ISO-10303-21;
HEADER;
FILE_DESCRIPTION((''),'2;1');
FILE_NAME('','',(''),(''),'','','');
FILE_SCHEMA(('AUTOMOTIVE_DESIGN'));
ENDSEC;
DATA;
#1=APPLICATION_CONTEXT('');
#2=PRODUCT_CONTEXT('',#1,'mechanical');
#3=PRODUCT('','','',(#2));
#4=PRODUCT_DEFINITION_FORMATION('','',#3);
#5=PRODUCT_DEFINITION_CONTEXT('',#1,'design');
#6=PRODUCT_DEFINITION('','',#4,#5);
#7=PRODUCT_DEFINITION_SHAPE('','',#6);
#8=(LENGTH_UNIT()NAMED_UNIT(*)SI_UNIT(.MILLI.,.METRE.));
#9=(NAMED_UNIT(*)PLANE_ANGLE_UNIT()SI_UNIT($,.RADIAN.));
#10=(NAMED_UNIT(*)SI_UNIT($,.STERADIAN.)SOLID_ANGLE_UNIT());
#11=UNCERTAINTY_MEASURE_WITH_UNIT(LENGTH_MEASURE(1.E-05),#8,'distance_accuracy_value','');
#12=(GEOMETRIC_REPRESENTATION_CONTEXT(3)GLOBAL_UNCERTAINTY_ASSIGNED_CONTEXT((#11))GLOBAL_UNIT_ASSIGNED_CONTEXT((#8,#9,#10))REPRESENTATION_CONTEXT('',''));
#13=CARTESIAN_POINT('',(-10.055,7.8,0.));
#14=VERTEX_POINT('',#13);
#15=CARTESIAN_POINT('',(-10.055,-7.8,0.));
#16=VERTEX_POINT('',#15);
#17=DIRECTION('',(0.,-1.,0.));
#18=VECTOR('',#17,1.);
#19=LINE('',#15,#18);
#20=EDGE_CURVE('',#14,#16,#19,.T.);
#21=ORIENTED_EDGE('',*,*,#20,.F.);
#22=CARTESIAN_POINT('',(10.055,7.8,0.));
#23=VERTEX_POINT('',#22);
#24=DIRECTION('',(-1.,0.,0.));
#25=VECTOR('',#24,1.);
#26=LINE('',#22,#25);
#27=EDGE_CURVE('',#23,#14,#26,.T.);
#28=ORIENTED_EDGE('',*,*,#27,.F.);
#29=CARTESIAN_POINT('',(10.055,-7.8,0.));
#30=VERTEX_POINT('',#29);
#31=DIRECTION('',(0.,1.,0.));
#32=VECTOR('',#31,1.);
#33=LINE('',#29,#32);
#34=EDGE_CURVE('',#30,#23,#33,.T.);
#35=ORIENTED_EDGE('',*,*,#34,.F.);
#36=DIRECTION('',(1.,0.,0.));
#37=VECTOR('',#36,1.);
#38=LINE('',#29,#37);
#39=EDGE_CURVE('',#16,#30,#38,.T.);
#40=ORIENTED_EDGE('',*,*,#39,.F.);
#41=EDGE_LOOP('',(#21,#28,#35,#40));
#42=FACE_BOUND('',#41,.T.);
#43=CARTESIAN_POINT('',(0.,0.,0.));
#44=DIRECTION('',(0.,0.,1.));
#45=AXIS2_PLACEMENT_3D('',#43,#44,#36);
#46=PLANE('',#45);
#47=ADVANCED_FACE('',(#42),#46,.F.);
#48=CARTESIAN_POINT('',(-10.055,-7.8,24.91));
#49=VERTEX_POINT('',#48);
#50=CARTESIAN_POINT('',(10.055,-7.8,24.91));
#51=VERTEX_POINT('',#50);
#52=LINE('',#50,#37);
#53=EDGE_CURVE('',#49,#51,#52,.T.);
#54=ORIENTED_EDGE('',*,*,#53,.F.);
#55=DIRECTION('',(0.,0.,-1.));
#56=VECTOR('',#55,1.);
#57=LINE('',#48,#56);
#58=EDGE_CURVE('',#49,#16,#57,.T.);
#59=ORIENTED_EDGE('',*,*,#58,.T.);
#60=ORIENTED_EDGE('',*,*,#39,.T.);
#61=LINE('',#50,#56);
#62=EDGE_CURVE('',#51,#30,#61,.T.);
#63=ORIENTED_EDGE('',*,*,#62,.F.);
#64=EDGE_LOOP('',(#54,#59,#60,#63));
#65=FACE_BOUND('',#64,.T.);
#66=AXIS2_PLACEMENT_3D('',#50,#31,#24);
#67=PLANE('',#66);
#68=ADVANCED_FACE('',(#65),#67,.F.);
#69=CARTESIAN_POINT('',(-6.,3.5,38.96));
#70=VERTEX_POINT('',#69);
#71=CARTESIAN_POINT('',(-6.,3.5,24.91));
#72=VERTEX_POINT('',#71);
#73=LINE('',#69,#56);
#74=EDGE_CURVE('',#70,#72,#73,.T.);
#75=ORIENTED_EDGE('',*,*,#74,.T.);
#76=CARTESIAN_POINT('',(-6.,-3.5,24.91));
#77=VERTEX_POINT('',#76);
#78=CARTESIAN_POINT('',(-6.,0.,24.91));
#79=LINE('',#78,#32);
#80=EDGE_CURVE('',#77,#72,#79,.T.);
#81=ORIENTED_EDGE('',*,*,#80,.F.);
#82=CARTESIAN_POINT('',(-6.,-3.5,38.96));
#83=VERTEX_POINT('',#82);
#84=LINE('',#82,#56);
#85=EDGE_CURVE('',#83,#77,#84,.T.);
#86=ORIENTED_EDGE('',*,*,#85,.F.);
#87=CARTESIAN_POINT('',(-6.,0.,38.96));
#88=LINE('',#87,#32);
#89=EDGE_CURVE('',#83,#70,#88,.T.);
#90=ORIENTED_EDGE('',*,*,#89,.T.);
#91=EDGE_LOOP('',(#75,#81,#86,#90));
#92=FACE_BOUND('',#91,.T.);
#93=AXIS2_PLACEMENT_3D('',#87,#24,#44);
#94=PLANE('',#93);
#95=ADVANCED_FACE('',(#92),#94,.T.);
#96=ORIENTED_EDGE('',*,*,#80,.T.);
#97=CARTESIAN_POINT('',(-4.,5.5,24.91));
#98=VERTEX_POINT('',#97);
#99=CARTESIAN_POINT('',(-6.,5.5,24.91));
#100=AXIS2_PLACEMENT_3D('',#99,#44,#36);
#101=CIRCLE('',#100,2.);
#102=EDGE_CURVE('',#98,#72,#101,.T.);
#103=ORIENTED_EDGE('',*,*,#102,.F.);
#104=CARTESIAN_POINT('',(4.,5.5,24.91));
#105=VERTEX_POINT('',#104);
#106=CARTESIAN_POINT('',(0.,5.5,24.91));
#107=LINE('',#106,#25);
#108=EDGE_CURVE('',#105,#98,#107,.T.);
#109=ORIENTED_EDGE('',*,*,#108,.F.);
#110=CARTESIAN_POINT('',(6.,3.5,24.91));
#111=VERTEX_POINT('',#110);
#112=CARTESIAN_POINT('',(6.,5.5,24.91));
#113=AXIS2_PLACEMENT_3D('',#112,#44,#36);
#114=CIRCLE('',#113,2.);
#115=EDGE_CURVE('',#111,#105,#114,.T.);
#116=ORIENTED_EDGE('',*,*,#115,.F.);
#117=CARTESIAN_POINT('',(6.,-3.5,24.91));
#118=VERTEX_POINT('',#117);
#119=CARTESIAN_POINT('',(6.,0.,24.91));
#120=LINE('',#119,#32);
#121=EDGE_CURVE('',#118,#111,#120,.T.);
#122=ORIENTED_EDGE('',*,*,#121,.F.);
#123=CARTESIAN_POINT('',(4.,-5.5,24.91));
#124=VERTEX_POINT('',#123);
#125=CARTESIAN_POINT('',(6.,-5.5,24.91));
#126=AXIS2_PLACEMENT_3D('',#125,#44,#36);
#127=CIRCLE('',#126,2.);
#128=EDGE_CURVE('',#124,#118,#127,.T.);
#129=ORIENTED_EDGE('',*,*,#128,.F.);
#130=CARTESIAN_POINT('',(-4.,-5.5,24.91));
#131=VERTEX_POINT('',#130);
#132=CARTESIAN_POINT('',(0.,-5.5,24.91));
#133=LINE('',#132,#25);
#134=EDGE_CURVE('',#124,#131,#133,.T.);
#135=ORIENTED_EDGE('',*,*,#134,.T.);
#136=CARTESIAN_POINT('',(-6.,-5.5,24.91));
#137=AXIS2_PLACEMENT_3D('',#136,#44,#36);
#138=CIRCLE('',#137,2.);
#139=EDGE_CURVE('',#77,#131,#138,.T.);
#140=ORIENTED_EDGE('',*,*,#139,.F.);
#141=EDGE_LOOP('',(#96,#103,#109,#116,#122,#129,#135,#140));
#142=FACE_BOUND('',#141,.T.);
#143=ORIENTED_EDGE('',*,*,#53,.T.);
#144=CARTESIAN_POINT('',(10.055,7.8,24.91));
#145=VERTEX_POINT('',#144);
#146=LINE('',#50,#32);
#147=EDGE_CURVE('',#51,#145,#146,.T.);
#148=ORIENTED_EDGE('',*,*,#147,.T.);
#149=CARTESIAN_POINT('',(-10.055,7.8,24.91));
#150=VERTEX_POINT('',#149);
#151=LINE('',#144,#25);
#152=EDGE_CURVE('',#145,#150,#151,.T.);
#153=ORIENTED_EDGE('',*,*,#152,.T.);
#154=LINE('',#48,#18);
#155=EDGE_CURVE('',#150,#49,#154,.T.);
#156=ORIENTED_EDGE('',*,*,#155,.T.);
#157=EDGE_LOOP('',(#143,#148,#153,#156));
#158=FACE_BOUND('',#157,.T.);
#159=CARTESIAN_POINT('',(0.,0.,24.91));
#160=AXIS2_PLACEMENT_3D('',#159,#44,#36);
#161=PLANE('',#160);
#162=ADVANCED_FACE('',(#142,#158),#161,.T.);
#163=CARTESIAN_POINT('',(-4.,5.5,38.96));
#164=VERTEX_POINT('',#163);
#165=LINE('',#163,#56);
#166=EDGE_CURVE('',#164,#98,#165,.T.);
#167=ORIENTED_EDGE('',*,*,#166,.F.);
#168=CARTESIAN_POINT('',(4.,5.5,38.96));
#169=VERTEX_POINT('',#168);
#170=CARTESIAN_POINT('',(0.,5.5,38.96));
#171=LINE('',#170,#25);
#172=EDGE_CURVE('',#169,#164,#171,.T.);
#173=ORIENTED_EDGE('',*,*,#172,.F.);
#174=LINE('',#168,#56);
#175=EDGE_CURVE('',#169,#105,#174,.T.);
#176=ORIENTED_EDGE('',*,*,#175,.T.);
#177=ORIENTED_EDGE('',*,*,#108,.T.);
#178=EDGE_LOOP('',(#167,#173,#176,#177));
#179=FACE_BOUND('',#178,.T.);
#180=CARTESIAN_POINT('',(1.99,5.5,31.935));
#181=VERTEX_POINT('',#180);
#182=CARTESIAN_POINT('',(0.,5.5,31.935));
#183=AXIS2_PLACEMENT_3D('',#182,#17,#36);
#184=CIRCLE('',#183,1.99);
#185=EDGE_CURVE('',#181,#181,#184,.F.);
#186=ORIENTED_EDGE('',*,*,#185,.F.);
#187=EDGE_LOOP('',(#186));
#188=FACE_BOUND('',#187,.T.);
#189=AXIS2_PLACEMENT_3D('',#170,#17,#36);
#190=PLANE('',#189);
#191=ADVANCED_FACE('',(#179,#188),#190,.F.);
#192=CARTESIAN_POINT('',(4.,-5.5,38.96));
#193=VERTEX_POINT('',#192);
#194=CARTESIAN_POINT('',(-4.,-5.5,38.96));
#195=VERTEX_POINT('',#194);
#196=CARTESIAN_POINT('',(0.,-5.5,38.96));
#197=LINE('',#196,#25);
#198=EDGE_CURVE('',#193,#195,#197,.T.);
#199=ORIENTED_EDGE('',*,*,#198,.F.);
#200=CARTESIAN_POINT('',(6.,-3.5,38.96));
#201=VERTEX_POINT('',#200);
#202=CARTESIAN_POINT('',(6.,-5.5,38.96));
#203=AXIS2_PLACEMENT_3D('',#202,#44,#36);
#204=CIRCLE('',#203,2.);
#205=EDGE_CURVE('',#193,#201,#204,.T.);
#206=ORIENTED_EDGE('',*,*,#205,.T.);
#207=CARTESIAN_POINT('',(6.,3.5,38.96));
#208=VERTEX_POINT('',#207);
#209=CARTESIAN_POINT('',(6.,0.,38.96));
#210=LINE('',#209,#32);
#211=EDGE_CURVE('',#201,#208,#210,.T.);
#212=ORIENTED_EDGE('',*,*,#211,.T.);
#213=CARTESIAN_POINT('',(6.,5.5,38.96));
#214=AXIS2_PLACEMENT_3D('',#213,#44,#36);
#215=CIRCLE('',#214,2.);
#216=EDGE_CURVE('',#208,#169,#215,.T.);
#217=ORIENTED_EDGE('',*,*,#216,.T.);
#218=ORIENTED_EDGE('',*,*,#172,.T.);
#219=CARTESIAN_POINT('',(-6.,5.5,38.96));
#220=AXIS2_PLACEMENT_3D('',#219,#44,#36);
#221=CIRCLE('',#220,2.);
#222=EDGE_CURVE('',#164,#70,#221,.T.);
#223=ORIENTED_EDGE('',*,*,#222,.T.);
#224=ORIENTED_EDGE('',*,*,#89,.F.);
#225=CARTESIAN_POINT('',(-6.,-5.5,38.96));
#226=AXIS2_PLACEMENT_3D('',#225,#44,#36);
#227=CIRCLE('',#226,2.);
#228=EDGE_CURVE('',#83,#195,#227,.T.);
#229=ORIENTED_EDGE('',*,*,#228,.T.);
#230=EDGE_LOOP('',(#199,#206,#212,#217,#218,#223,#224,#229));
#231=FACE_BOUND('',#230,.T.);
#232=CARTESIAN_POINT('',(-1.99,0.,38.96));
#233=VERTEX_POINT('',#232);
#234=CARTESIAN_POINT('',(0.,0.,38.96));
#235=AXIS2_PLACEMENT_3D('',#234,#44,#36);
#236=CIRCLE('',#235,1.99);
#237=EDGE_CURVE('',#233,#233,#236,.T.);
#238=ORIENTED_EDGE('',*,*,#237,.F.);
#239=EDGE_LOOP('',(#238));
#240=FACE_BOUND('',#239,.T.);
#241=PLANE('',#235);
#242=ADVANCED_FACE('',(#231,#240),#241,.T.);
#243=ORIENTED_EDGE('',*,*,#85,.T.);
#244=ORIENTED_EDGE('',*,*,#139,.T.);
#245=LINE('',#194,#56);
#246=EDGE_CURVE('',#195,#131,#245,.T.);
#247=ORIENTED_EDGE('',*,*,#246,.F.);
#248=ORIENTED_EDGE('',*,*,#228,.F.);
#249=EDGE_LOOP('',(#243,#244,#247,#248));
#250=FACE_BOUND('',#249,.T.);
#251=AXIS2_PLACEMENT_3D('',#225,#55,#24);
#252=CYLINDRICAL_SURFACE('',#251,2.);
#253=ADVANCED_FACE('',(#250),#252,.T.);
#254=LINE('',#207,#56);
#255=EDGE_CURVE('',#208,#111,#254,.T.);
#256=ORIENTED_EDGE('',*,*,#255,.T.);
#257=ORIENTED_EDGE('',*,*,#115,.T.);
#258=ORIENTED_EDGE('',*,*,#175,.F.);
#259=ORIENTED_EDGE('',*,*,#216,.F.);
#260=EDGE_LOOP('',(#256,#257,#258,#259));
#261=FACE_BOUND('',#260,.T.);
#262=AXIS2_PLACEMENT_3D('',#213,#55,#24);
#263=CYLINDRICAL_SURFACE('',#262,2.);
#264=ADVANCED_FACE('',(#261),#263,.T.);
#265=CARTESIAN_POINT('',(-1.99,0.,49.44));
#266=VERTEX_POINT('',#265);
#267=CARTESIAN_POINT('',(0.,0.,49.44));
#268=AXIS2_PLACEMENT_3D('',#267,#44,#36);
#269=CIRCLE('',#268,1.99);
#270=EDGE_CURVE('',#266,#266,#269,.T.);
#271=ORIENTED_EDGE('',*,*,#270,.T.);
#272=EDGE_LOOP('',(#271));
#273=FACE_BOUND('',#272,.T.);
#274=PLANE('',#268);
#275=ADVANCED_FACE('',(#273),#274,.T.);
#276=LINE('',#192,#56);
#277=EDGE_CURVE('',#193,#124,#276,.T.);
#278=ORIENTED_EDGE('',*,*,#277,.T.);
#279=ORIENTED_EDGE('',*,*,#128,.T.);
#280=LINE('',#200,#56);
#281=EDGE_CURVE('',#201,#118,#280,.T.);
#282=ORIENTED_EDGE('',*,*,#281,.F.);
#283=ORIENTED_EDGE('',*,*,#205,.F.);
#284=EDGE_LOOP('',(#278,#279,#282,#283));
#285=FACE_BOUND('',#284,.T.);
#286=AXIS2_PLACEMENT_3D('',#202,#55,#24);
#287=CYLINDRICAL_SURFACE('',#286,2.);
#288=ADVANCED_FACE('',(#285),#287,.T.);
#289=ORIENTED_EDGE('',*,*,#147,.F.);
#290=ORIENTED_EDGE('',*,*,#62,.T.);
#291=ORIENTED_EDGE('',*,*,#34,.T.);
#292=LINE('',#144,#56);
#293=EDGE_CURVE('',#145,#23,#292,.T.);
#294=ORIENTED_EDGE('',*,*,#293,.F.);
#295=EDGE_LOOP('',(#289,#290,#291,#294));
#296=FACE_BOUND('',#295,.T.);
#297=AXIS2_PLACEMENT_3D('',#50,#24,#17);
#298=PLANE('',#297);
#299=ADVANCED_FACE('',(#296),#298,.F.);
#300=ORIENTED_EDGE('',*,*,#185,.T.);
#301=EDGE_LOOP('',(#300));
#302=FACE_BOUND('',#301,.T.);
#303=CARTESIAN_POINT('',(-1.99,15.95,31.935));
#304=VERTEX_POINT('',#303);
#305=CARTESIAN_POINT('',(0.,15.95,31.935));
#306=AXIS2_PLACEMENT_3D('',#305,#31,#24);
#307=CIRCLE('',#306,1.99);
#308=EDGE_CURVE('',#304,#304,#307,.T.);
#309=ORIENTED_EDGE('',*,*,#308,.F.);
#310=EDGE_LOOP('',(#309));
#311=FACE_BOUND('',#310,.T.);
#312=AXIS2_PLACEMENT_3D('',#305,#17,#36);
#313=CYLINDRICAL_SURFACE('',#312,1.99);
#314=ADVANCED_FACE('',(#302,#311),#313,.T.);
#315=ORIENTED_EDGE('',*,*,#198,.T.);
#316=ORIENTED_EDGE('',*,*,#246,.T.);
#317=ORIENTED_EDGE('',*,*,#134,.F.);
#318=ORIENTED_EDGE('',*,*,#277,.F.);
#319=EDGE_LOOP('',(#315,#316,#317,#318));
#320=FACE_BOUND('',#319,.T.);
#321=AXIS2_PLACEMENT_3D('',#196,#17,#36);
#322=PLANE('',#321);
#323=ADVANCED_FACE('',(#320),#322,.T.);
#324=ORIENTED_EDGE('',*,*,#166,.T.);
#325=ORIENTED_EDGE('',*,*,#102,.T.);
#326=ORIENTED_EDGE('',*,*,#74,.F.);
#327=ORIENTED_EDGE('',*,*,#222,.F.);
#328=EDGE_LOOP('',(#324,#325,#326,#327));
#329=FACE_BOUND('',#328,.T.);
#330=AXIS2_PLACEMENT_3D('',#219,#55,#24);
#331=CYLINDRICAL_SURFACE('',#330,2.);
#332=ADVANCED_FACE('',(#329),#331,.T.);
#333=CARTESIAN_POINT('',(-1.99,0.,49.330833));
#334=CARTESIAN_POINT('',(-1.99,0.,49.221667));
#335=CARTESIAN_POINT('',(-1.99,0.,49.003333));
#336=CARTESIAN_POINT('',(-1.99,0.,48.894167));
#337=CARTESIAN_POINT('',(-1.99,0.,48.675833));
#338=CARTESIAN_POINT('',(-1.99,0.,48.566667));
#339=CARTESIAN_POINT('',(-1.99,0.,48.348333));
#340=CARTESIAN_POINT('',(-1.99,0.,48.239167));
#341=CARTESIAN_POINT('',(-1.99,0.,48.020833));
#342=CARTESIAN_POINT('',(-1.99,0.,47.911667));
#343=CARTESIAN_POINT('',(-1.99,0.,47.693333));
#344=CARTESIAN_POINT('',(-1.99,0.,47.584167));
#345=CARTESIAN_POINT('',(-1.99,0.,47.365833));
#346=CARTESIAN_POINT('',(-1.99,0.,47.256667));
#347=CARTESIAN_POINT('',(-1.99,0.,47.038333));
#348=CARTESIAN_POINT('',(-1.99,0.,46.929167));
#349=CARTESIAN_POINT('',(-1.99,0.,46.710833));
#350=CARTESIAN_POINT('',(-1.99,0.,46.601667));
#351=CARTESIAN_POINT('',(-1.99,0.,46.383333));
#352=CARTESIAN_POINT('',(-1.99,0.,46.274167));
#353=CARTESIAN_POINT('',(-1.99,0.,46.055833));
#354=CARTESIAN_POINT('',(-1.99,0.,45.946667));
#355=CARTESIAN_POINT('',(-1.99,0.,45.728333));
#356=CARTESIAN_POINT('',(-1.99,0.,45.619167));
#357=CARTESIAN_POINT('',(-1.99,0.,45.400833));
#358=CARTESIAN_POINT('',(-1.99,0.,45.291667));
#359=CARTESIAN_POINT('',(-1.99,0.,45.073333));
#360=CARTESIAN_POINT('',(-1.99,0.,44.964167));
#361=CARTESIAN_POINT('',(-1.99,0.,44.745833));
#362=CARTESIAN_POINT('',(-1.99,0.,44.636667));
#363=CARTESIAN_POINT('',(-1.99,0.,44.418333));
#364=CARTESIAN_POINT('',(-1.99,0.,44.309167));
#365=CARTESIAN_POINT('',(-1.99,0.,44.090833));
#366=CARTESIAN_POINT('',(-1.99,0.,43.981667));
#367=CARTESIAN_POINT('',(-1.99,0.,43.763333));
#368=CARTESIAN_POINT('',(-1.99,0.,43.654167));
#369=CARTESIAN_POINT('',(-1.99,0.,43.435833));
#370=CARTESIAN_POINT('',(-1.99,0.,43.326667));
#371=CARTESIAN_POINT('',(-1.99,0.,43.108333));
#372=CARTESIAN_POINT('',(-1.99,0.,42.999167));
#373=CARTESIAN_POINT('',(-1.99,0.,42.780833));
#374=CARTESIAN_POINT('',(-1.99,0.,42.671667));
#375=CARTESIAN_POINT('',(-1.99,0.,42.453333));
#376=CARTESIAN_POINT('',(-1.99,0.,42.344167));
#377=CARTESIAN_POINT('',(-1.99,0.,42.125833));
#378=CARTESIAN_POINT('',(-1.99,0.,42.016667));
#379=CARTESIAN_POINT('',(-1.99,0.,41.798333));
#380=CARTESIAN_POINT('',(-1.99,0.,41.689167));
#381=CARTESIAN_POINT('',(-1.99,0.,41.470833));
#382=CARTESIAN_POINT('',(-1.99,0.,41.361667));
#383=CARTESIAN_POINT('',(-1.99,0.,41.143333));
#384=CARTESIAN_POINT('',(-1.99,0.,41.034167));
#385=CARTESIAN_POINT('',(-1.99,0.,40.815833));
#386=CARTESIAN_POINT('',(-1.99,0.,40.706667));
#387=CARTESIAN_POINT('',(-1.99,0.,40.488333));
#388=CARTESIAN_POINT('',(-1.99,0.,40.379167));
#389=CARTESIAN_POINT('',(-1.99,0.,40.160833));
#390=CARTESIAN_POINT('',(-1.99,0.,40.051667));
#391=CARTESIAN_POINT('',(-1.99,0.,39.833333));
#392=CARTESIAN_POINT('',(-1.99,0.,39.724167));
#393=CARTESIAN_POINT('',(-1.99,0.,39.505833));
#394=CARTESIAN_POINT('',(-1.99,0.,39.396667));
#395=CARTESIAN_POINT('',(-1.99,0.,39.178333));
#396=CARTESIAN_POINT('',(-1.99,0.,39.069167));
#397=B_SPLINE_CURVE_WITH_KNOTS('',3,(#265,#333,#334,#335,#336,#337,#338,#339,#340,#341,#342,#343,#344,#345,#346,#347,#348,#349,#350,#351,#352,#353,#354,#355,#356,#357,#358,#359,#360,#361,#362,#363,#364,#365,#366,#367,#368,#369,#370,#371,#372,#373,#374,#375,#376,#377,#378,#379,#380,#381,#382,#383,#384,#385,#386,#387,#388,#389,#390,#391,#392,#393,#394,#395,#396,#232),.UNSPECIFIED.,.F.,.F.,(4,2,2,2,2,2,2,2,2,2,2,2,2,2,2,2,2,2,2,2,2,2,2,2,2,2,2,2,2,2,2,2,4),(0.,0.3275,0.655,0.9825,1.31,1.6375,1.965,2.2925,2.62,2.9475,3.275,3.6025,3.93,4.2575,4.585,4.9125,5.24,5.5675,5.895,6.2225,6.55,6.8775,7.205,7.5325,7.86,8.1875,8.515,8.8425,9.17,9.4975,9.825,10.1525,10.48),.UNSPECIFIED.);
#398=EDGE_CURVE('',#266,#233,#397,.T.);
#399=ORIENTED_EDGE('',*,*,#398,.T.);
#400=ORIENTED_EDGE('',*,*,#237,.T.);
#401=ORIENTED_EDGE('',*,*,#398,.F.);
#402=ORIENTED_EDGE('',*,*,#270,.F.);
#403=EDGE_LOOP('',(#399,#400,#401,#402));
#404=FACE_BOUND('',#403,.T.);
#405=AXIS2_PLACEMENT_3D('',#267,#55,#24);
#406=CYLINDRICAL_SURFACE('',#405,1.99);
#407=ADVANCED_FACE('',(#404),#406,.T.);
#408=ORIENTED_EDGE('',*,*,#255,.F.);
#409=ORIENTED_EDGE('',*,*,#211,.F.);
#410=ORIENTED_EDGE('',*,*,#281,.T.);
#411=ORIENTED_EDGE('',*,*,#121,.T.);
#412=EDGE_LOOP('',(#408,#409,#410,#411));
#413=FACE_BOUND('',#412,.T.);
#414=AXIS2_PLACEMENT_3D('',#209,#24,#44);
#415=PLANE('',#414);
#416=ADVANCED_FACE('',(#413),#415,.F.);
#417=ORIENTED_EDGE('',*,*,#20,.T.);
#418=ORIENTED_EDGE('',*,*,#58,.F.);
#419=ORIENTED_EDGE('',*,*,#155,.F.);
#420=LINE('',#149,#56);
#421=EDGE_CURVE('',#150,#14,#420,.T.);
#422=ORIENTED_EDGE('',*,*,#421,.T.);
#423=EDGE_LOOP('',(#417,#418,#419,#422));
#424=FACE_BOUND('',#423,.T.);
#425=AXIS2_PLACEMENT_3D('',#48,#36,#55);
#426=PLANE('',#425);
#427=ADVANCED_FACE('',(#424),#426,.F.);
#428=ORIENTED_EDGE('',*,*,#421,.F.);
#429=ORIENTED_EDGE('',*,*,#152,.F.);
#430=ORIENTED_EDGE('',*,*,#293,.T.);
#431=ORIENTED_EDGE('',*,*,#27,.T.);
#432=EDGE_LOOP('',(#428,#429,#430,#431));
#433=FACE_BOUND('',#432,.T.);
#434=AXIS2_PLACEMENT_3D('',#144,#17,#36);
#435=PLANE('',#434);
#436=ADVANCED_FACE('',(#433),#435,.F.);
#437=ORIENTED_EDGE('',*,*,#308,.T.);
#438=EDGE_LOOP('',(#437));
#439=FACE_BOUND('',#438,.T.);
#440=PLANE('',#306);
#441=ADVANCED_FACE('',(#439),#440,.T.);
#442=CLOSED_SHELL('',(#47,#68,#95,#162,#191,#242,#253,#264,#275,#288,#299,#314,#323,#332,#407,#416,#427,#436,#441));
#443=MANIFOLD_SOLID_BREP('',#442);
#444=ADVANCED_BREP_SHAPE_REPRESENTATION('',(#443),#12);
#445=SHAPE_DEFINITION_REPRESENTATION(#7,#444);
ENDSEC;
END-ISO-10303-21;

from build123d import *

# Parameters (mm, degrees)
SKETCH1_W           = 20.11
SKETCH1_H           = 15.6
BOSS_EXTRUDE1_DEPTH = 24.91
SKETCH2_R           = 2
SKETCH2_W           = 12
SKETCH2_H           = 11
BOSS_EXTRUDE2_DEPTH = 14.05
SKETCH3_R           = 1.99
BOSS_EXTRUDE3_DEPTH = 10.45
SKETCH4_R           = 1.99
BOSS_EXTRUDE4_DEPTH = 10.48


with BuildPart() as part:
    # Sketch1 → Boss-Extrude1 (new body)
    with BuildSketch(Plane.XY):
        Rectangle(SKETCH1_W, SKETCH1_H)
    extrude(amount=BOSS_EXTRUDE1_DEPTH)

    # Sketch2 → Boss-Extrude2 (add)
    with BuildSketch(Plane.XY.offset(24.91)):
        with BuildLine():
            ThreePointArc((-4, 5.5), (-7.414213562, 6.914213562), (-6, 3.5))
            Line((-6, 3.5), (-6, 5.5))
            Line((-6, 5.5), (-4, 5.5))
        make_face()
        with BuildLine():
            Line((-6, 5.5), (-6, 3.5))
            ThreePointArc((-6, 3.5), (-4.585786438, 4.085786438), (-4, 5.5))
            Line((-4, 5.5), (-6, 5.5))
        make_face()
        with Locations((-6, -5.5)):
            Circle(SKETCH2_R)
        with Locations((6, -5.5)):
            Circle(SKETCH2_R)
        with Locations((6, 5.5)):
            Circle(SKETCH2_R)
        with Locations((-6, 5.5)):
            Circle(SKETCH2_R)
        Rectangle(SKETCH2_W, SKETCH2_H)
        with BuildLine():
            ThreePointArc((4, 5.5), (4.585786438, 4.085786438), (6, 3.5))
            Line((6, 3.5), (6, 5.5))
            Line((6, 5.5), (4, 5.5))
        make_face()
        with BuildLine():
            Line((6, 5.5), (6, 3.5))
            ThreePointArc((6, 3.5), (7.414213562, 4.085786438), (8, 5.5))
            ThreePointArc((8, 5.5), (6, 7.5), (4, 5.5))
            Line((4, 5.5), (6, 5.5))
        make_face()
        with BuildLine():
            ThreePointArc((6, -3.5), (4.585786438, -4.085786438), (4, -5.5))
            Line((4, -5.5), (6, -5.5))
            Line((6, -5.5), (6, -3.5))
        make_face()
        with BuildLine():
            Line((6, -5.5), (4, -5.5))
            ThreePointArc((4, -5.5), (6, -7.5), (8, -5.5))
            ThreePointArc((8, -5.5), (7.414213562, -4.085786438), (6, -3.5))
            Line((6, -3.5), (6, -5.5))
        make_face()
        with BuildLine():
            ThreePointArc((-6, -3.5), (-7.414213562, -6.914213562), (-4, -5.5))
            Line((-4, -5.5), (-6, -5.5))
            Line((-6, -5.5), (-6, -3.5))
        make_face()
        with BuildLine():
            Line((-6, -5.5), (-4, -5.5))
            ThreePointArc((-4, -5.5), (-4.585786438, -4.085786438), (-6, -3.5))
            Line((-6, -3.5), (-6, -5.5))
        make_face()
    extrude(amount=BOSS_EXTRUDE2_DEPTH)

    # Sketch3 → Boss-Extrude3 (add)
    with BuildSketch(Plane(origin=(0, 5.5, 0), x_dir=(1, 0, 0), z_dir=(0, 1, 0))):
        with Locations((0, -31.935)):
            Circle(SKETCH3_R)
    extrude(amount=BOSS_EXTRUDE3_DEPTH)

    # Sketch4 → Boss-Extrude4 (add)
    with BuildSketch(Plane.XY.offset(38.96)):
        with Locations(Location((0, 0, 0), (0, 0, 180))):
            Circle(SKETCH4_R)
    extrude(amount=BOSS_EXTRUDE4_DEPTH)


solid = part.part
